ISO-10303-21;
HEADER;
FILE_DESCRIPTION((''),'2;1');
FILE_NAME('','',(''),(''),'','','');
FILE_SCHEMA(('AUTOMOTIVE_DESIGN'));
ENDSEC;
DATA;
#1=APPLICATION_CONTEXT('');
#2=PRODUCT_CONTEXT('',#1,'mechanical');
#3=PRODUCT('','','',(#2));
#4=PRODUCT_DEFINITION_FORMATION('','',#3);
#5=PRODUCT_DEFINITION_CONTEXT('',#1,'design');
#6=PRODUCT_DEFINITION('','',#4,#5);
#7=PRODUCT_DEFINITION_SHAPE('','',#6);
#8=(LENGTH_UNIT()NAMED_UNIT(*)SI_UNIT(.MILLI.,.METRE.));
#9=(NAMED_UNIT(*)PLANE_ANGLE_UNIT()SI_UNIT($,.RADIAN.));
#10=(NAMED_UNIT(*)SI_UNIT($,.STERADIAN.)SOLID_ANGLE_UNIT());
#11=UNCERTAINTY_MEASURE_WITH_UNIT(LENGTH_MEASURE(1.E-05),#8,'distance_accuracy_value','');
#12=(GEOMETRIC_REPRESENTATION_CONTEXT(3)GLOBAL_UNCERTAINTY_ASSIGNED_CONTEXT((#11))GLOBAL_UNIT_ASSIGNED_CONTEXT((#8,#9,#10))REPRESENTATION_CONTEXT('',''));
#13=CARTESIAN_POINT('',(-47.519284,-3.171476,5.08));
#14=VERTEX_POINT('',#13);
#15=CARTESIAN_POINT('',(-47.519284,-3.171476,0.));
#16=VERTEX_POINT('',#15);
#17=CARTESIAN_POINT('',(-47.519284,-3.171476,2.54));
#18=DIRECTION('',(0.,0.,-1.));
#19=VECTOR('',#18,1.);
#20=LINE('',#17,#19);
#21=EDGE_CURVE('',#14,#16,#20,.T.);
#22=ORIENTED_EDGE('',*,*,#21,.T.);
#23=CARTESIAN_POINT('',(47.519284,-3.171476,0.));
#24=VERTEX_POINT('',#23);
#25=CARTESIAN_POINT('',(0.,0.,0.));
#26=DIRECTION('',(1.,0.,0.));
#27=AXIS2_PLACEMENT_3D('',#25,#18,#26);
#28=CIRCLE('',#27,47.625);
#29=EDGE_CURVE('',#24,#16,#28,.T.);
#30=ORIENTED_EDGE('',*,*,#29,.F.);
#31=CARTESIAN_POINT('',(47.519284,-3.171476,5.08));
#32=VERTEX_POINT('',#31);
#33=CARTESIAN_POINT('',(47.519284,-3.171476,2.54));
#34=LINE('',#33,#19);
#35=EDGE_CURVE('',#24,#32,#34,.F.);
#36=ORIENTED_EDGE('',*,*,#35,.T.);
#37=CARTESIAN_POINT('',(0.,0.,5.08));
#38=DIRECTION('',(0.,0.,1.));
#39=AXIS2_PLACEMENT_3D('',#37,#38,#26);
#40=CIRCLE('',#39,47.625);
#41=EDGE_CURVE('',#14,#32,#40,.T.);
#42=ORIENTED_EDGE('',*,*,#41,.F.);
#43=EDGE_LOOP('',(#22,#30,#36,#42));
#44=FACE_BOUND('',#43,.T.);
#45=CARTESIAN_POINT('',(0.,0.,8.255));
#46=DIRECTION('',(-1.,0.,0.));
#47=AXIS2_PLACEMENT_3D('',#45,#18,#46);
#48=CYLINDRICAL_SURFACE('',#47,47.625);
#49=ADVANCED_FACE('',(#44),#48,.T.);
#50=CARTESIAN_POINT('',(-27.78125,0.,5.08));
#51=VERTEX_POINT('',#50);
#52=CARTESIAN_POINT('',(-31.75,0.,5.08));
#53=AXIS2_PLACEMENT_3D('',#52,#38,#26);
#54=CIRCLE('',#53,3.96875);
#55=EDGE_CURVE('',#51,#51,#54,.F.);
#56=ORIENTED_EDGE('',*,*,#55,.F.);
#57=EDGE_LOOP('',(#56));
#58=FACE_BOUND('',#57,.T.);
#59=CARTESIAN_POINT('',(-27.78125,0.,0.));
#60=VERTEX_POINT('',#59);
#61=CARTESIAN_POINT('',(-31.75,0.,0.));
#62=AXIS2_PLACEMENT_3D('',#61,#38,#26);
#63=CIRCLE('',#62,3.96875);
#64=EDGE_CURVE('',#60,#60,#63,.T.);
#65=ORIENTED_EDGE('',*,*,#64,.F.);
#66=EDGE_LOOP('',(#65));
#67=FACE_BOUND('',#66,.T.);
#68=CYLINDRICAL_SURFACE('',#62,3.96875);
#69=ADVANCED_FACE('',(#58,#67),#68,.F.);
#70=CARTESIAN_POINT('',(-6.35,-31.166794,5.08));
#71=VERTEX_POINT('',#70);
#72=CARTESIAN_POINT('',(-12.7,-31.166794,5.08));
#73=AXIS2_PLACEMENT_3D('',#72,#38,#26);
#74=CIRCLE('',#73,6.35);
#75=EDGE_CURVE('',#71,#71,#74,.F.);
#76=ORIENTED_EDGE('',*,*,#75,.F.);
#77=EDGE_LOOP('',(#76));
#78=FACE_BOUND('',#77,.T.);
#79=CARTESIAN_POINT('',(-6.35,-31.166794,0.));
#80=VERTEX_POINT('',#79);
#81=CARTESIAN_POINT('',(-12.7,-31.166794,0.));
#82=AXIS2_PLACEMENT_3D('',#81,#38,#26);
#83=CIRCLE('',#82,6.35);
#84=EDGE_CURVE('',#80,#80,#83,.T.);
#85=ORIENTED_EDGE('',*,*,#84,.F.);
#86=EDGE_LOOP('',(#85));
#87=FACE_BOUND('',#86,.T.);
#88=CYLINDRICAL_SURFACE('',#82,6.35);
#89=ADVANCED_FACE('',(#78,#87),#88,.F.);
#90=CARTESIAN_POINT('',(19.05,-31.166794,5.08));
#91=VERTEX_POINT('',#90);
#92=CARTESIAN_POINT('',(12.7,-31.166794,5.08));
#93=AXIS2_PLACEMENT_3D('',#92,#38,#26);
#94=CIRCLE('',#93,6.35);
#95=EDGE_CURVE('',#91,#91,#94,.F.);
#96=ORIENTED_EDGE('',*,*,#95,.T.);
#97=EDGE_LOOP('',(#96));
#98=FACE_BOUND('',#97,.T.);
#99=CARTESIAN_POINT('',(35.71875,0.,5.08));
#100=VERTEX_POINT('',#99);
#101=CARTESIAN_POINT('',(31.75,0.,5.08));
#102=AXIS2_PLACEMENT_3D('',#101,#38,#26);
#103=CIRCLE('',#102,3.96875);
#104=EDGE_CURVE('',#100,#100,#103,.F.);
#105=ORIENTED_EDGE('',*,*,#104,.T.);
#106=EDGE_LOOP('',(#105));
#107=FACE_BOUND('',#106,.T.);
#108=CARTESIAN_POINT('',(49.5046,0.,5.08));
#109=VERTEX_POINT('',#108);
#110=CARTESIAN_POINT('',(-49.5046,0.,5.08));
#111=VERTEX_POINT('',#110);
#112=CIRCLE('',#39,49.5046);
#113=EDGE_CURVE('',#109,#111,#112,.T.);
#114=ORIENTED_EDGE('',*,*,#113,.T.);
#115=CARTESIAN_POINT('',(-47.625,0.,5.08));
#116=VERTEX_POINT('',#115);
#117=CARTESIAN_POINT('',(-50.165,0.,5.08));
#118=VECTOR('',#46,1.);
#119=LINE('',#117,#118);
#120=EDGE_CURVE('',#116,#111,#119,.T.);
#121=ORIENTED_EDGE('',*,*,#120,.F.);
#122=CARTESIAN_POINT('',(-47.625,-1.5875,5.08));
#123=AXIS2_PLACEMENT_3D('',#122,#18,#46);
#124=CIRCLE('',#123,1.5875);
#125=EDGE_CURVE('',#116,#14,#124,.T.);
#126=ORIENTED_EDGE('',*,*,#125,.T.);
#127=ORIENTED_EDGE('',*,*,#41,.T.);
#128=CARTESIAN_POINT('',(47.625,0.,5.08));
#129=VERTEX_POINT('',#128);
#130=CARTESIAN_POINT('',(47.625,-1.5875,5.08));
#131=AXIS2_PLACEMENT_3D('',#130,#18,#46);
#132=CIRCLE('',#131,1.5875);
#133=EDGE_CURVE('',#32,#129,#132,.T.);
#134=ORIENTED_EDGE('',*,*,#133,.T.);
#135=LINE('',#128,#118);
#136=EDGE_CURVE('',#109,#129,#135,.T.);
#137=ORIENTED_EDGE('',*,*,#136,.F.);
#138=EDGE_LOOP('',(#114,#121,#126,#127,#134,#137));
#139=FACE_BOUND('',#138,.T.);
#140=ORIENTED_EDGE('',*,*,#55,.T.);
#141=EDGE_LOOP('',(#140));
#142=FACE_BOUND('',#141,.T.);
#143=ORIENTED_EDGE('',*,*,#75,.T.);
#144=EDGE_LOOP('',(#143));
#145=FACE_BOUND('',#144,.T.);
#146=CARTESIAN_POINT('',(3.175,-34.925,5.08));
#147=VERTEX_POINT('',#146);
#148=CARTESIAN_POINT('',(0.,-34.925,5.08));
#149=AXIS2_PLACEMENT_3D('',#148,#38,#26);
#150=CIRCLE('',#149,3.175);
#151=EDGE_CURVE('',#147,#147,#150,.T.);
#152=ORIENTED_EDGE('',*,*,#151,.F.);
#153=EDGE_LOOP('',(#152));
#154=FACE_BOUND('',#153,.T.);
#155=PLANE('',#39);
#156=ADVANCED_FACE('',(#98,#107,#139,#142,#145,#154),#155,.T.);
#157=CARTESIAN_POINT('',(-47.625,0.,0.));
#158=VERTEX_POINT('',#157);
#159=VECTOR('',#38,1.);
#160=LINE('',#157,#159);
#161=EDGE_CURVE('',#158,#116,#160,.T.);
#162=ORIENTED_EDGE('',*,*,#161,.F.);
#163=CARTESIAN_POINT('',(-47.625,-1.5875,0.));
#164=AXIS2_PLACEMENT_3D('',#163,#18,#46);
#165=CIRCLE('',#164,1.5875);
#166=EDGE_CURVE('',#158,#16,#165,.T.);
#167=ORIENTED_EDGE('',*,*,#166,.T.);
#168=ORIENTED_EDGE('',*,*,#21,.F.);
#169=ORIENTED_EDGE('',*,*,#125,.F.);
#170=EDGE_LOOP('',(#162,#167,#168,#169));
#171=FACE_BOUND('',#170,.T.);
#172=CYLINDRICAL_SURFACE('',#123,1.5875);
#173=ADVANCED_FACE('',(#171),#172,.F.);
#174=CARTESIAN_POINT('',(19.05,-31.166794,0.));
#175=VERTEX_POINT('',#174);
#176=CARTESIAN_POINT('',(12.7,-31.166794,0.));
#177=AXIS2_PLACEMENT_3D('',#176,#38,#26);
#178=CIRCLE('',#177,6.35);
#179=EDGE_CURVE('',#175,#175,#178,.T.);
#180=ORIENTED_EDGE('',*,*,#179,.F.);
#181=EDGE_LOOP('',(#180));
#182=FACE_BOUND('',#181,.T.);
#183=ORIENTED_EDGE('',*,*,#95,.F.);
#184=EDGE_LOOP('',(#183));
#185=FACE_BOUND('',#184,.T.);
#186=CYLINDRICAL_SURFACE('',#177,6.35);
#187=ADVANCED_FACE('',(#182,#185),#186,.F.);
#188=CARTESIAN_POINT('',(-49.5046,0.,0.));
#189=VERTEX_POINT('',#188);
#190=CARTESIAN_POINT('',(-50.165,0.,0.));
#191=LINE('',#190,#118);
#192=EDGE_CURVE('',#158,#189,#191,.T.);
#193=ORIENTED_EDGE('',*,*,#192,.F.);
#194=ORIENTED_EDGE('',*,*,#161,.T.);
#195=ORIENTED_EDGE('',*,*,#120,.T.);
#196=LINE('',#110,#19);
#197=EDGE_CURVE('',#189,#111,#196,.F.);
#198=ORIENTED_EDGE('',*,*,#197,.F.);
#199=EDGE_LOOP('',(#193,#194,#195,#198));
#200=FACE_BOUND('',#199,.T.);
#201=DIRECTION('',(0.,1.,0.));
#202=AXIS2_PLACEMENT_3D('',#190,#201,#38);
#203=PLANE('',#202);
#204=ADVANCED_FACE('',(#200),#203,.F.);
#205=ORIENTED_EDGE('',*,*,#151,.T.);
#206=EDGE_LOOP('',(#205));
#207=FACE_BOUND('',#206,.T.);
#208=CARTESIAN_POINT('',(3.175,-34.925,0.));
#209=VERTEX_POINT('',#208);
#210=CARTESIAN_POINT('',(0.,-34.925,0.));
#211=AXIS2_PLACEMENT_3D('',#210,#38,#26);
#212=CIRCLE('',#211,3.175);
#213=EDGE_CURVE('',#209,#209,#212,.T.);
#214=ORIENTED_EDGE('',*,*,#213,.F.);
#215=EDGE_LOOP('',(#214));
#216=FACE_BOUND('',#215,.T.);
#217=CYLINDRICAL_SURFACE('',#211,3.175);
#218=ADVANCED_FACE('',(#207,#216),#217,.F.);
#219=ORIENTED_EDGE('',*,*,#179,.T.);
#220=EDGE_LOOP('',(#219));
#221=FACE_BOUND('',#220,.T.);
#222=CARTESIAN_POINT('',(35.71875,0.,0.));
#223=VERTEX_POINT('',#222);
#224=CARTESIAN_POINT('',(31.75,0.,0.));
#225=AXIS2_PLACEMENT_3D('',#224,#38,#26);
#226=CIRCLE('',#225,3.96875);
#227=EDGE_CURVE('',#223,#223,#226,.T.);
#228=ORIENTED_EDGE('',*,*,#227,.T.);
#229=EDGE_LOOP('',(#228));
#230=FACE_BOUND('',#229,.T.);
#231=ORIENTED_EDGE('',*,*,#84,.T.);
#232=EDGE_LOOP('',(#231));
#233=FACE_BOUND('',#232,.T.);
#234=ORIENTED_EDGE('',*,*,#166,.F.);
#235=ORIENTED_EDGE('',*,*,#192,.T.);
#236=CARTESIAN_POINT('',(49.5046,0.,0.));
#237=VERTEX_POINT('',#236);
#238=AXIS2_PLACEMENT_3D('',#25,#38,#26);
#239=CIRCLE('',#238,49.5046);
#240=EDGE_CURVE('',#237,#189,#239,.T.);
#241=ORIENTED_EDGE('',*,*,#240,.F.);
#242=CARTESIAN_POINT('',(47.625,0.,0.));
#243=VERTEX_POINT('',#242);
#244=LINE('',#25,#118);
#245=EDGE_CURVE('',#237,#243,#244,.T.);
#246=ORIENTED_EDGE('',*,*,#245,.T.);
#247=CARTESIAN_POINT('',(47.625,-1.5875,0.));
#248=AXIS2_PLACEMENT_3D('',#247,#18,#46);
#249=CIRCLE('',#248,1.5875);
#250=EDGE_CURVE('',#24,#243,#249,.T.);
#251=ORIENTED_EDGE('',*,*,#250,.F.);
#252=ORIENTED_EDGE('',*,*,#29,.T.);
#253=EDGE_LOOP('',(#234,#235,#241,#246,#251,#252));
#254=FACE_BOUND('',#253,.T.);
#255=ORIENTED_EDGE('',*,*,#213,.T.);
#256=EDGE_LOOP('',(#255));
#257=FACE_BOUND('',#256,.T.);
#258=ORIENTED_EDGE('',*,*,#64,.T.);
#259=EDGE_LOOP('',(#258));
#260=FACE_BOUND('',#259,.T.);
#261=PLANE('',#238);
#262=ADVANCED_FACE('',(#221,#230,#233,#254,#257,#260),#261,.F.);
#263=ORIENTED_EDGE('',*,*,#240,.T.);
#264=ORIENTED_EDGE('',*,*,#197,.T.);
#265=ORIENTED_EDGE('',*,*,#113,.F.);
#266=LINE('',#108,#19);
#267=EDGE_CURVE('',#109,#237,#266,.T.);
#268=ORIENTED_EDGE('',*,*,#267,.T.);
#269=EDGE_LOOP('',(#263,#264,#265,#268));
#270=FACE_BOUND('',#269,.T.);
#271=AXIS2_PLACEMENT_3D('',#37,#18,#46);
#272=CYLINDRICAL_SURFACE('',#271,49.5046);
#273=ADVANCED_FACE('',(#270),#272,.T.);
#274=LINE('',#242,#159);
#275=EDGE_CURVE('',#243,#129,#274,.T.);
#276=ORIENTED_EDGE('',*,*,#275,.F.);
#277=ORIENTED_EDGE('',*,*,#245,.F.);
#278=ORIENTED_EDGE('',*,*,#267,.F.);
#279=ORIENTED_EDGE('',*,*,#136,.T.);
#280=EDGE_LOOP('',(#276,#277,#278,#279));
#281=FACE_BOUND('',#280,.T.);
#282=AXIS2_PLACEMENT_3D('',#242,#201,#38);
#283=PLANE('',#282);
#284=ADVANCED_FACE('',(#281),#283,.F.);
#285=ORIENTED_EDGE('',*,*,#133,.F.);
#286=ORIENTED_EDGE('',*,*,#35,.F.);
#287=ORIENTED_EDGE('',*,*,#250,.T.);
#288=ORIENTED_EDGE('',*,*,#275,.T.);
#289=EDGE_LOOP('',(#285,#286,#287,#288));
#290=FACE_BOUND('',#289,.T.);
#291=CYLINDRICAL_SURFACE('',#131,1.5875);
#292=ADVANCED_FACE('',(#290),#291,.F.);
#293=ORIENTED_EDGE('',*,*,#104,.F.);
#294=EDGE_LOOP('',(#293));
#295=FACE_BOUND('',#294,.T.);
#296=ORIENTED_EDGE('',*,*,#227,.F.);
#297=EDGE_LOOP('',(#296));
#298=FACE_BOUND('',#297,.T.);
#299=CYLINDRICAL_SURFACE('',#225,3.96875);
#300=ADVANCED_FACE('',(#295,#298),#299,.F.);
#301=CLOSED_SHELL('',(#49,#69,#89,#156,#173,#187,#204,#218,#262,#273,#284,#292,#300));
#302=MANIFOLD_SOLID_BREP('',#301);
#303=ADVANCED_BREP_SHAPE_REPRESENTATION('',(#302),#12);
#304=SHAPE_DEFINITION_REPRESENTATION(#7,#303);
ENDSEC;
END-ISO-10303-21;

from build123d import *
from build123d.topology import SkipClean

# Parameters (mm, degrees)
SKETCH1_R           = 49.5046
BOSS_EXTRUDE1_DEPTH = 5.08
SKETCH2_R           = 47.625
BOSS_EXTRUDE2_DEPTH = 3.175
SKETCH3_R           = 3.96875
SKETCH3_R_2         = 6.35
CUT_EXTRUDE1_DEPTH  = 71.495076901
CUT_EXTRUDE2_DEPTH  = 71.194139658
SKETCH5_R           = 54.412278645
CUT_EXTRUDE3_DEPTH  = 3.175
SKETCH6_R           = 1.5875
CUT_EXTRUDE4_DEPTH  = 71.194139658
SKETCH7_R           = 3.175
CUT_EXTRUDE5_DEPTH  = 71.194139658


with BuildPart() as part:
    # Sketch1 → Boss-Extrude1 (new body)
    with BuildSketch(Plane.XY):
        Circle(SKETCH1_R)
    extrude(amount=BOSS_EXTRUDE1_DEPTH)

    # Sketch2 → Boss-Extrude2 (add)
    with BuildSketch(Plane.XY.offset(5.08)):
        Circle(SKETCH2_R)
    extrude(amount=BOSS_EXTRUDE2_DEPTH)

    # Sketch3 → Cut-Extrude1 (cut, through all)
    with BuildSketch(Plane.XY.offset(8.255)):
        with Locations((-31.75, 0)):
            Circle(SKETCH3_R)
        with Locations((31.75, 0)):
            Circle(SKETCH3_R)
        with Locations((-12.7, -31.166793627)):
            Circle(SKETCH3_R_2)
        with Locations((12.7, -31.166793627)):
            Circle(SKETCH3_R_2)
    extrude(amount=-CUT_EXTRUDE1_DEPTH, mode=Mode.SUBTRACT)

    # Sketch4 → Cut-Extrude2 (cut, through all)
    with SkipClean():  # the faces are left unmerged after this step: merging them gives an invalid solid
        with BuildSketch(Plane.XY.offset(5.08)):
            with BuildLine():
                Line((-50.165, 0), (-47.625, 0))
                ThreePointArc((-47.625, 0), (0, -47.625), (47.625, 0))
                Line((47.625, 0), (50.165, 0))
                ThreePointArc((50.165, 0), (0, -50.165), (-50.165, 0))
            make_face()
        extrude(amount=-CUT_EXTRUDE2_DEPTH, mode=Mode.SUBTRACT)

    # Sketch5 → Cut-Extrude3 (cut)
    with BuildSketch(Plane.XY.offset(8.255)):
        Circle(SKETCH5_R)
    extrude(amount=-CUT_EXTRUDE3_DEPTH, mode=Mode.SUBTRACT)

    # Sketch6 → Cut-Extrude4 (cut, through all)
    with BuildSketch(Plane(origin=(0, 0, 0), x_dir=(-1, 0, 0), z_dir=(0, 0, -1))):
        with Locations((-47.625, -1.5875)):
            Circle(SKETCH6_R)
        with Locations((47.625, -1.5875)):
            Circle(SKETCH6_R)
    extrude(amount=-CUT_EXTRUDE4_DEPTH, mode=Mode.SUBTRACT)

    # Sketch7 → Cut-Extrude5 (cut, through all)
    with BuildSketch(Plane.XY.offset(5.08)):
        with Locations((0, -34.925)):
            Circle(SKETCH7_R)
    extrude(amount=-CUT_EXTRUDE5_DEPTH, mode=Mode.SUBTRACT)


solid = part.part
